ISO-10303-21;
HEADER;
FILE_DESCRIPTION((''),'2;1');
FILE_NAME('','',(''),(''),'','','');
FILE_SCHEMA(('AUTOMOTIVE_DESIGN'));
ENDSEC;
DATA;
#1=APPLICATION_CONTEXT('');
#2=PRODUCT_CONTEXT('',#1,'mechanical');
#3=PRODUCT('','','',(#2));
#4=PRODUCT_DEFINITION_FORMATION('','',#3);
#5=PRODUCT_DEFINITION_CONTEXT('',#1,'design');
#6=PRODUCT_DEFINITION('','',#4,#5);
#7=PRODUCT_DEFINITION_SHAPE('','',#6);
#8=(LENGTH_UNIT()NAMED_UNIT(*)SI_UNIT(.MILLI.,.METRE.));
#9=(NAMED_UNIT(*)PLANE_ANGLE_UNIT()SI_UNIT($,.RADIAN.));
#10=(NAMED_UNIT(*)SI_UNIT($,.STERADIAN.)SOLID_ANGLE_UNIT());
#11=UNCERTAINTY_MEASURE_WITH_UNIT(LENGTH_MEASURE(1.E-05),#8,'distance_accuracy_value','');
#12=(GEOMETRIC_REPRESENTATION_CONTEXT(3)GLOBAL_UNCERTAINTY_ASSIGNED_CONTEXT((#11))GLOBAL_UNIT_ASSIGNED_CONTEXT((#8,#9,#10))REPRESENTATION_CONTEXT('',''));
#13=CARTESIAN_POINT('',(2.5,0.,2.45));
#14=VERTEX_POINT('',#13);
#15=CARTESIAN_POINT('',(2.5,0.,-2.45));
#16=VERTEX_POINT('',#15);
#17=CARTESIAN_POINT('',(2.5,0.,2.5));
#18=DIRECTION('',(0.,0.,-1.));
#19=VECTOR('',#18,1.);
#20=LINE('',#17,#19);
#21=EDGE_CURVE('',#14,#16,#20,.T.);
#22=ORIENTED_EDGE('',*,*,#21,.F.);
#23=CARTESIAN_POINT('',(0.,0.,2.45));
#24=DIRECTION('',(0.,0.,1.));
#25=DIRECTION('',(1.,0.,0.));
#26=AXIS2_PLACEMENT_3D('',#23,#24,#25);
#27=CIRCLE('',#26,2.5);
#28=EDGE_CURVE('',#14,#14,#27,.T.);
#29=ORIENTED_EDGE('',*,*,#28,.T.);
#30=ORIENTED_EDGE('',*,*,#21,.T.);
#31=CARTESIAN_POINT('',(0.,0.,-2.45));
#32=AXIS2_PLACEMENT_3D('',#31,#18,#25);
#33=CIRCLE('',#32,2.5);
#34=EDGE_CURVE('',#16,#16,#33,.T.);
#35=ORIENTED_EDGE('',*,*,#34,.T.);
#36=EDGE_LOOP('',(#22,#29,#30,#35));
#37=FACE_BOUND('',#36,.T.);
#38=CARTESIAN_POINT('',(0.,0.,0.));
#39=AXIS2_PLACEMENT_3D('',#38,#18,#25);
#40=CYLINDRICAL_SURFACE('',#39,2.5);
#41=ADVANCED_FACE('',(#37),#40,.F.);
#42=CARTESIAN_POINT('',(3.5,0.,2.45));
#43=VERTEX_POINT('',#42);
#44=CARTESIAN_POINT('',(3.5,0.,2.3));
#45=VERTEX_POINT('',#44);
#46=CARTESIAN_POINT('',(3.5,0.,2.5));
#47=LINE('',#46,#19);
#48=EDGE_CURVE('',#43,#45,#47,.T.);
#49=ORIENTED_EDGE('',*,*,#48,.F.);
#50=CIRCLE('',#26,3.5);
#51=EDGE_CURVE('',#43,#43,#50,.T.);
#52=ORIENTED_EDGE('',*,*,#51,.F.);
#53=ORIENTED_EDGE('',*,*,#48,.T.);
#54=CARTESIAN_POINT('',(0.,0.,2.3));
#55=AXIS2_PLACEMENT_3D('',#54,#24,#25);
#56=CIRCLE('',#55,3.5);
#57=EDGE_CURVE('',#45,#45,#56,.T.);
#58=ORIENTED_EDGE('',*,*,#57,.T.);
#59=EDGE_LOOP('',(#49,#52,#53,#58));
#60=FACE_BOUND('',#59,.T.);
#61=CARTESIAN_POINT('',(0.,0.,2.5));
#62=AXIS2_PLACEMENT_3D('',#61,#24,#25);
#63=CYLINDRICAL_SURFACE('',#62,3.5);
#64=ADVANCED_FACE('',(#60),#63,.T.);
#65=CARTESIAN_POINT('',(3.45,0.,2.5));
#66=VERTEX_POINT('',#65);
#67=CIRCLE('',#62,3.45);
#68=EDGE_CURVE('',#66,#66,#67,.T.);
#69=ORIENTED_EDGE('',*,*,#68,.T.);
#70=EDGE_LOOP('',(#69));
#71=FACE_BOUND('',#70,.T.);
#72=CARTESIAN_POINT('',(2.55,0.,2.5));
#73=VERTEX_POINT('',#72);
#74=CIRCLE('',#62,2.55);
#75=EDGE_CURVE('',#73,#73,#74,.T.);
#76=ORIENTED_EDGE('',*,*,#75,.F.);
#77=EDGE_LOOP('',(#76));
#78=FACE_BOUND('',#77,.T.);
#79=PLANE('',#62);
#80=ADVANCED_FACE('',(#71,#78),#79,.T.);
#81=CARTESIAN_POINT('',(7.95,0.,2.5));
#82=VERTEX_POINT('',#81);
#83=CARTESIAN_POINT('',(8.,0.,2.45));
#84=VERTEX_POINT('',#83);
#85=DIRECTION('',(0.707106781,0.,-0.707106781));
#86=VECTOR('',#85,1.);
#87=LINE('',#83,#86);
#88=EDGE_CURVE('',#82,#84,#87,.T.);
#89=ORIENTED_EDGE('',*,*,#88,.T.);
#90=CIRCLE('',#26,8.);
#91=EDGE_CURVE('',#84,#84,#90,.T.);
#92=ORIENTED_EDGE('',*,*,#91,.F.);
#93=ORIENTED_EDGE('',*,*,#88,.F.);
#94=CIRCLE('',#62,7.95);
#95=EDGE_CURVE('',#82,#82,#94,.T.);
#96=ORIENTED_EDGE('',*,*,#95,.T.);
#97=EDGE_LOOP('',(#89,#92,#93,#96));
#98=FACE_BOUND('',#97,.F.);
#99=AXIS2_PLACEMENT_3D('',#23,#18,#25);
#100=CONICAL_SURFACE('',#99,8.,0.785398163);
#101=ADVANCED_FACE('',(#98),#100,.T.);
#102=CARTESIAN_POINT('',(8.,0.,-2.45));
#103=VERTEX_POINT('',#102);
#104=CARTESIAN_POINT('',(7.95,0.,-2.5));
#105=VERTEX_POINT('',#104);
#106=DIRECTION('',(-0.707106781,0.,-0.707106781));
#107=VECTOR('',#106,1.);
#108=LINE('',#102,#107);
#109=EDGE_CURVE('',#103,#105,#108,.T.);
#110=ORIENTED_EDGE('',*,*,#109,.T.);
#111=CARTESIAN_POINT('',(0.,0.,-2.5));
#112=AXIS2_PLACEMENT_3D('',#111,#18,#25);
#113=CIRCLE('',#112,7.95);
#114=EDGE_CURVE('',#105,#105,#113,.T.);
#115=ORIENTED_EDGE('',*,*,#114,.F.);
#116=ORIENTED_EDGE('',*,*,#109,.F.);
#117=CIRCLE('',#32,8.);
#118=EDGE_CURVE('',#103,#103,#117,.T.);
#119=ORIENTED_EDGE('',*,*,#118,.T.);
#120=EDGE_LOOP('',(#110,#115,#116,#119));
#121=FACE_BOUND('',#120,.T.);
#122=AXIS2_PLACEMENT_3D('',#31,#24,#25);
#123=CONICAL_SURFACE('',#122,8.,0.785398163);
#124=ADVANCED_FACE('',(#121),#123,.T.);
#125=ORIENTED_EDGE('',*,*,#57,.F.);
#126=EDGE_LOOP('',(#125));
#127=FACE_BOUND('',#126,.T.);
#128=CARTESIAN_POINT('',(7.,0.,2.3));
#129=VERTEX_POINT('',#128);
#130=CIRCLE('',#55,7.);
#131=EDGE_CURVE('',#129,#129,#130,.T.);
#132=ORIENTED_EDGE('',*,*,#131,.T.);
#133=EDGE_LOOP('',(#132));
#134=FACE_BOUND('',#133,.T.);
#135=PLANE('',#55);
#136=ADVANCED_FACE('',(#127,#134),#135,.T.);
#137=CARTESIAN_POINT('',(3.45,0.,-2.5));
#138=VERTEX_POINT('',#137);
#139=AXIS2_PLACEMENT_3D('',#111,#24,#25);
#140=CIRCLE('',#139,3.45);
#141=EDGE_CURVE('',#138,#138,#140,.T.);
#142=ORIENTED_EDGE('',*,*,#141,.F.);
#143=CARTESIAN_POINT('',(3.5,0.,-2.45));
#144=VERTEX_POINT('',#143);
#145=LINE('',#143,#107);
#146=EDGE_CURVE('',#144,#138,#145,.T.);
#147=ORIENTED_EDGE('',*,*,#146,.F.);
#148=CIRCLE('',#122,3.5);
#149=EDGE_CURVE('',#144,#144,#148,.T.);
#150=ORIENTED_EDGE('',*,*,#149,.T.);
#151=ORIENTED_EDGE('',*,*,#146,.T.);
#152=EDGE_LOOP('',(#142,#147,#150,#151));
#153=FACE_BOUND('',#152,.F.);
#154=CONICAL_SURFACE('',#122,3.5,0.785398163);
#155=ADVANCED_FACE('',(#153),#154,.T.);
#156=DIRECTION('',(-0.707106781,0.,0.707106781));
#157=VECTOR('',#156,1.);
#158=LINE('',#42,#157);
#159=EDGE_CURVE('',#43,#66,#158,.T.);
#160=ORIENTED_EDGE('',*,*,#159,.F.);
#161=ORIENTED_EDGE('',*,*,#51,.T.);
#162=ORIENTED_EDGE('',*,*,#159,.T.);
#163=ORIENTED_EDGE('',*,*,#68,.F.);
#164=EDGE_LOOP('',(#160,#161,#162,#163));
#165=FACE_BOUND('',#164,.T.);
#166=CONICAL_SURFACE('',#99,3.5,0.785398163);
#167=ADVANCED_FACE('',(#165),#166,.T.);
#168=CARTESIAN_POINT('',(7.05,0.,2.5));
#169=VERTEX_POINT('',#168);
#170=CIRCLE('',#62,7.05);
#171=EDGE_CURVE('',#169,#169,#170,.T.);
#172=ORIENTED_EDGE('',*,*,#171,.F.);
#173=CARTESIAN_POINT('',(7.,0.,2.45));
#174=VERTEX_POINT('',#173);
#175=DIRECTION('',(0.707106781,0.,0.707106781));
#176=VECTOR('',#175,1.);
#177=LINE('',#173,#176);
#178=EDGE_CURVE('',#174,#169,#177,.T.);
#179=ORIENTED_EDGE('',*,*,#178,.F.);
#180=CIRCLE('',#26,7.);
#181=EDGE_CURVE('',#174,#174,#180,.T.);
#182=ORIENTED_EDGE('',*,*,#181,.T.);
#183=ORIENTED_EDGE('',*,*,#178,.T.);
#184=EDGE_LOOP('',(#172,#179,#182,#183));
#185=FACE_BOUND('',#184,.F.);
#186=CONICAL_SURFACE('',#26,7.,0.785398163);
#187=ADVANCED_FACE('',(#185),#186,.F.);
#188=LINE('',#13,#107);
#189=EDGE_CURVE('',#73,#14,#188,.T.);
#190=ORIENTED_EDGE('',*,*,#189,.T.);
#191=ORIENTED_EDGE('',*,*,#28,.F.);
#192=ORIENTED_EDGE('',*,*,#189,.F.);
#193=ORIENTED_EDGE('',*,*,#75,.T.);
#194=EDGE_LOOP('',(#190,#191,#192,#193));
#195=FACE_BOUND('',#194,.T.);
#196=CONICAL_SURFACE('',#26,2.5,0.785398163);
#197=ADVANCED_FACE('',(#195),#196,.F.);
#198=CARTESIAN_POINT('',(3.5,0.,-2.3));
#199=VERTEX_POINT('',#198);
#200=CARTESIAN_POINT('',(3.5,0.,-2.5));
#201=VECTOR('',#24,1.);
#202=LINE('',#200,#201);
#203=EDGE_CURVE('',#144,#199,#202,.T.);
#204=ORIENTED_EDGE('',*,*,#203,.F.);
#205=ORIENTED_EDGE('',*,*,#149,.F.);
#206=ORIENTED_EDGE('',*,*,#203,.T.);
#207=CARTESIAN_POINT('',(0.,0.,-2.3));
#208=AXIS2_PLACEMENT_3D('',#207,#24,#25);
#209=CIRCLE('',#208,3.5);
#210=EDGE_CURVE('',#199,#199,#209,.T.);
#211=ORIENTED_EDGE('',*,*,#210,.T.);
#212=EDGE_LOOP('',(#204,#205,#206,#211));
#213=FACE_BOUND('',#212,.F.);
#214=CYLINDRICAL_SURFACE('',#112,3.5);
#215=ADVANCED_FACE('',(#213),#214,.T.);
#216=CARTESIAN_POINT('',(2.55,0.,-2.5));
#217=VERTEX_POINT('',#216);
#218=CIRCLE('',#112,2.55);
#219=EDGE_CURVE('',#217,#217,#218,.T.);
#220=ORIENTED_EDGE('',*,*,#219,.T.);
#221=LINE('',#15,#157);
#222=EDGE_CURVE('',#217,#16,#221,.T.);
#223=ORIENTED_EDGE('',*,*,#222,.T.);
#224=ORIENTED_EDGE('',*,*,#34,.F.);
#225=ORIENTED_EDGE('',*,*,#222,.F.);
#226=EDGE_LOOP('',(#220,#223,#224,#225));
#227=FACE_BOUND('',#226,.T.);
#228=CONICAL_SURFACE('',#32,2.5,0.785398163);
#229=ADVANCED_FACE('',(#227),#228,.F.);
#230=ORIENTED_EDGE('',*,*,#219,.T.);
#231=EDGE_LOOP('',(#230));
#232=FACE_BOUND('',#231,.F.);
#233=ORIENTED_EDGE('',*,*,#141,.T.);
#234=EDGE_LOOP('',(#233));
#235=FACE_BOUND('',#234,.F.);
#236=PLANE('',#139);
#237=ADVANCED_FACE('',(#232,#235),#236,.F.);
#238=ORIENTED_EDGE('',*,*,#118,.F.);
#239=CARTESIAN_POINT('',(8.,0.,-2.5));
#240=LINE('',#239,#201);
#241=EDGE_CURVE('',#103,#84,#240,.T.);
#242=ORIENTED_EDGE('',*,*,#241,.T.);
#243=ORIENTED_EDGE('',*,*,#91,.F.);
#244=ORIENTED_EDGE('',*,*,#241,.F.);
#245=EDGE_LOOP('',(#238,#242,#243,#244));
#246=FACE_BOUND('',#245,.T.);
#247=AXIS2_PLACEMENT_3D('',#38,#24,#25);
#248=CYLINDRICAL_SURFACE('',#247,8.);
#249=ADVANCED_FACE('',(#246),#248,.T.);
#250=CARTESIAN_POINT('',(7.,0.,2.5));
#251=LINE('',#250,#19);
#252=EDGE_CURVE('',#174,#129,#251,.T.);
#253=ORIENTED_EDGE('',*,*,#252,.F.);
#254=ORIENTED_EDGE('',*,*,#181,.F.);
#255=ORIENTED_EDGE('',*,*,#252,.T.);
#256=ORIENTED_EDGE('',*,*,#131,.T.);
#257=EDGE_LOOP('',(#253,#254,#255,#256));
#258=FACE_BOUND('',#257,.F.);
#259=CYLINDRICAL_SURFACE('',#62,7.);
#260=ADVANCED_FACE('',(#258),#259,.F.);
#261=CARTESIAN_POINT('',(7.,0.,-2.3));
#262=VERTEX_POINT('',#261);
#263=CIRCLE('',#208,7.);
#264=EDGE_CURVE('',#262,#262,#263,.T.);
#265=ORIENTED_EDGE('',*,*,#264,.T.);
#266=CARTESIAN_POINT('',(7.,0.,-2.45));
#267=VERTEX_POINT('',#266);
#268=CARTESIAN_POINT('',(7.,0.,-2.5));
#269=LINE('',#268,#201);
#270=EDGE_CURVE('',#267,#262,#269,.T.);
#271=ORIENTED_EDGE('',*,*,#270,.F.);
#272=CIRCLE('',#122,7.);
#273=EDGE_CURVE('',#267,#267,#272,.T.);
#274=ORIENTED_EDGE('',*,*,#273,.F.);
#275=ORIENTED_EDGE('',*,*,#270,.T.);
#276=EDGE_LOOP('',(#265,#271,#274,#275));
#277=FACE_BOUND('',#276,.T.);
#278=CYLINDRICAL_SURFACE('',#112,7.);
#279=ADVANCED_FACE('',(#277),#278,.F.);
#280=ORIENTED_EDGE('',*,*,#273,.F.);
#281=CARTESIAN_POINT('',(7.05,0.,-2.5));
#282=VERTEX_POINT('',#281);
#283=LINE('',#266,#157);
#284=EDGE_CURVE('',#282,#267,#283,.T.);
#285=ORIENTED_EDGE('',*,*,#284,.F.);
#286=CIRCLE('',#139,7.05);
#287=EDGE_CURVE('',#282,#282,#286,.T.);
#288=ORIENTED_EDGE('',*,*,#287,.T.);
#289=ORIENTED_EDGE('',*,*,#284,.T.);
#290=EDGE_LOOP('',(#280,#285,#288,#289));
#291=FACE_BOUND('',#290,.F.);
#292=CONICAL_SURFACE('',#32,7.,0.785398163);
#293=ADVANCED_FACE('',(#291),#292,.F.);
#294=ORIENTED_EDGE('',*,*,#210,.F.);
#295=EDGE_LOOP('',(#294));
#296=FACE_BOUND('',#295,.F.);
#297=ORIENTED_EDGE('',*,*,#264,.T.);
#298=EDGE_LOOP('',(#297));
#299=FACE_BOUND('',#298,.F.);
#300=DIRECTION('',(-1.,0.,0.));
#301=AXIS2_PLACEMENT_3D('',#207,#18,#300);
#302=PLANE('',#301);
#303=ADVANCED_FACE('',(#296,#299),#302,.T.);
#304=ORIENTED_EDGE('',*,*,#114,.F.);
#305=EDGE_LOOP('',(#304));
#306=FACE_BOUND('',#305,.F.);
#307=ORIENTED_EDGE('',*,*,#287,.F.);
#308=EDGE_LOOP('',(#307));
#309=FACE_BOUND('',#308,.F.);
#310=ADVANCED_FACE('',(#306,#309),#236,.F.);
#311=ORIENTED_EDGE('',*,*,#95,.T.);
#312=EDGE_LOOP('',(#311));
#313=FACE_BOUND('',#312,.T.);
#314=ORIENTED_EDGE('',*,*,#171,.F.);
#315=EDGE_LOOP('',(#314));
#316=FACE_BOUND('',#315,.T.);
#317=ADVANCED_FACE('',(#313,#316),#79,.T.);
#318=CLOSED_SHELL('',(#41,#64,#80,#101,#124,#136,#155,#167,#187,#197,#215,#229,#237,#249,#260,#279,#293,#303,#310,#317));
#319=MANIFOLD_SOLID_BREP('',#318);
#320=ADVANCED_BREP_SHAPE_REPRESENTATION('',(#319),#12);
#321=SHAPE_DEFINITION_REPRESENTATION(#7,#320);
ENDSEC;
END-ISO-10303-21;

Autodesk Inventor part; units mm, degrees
ref_plane "YZ Plane" through (0, 0, 0) normal (1, 0, 0) x (0, 1, 0)
ref_plane "XZ Plane" through (0, 0, 0) normal (0, 1, 0) x (-1, 0, 0)
ref_plane "XY Plane" through (0, 0, 0) normal (0, 0, 1) x (1, 0, 0)
sketch "Skizze1" plane through (0, 0, 0) normal (0, 0, 1) x (1, 0, 0)
  line L0 (-11.2, 0) -> (11.2, 0) projected
  line L1 (0, -11.2) -> (0, 11.2) projected
  circle A0 centre (0, 0) radius 8
  circle A1 centre (0, 0) radius 2.5
  dimension "d0" = 16
  dimension "d1" = 5
extrude "Extrusion1" add sketch "Skizze1" along normal mid plane 5 contours A1 L1 A0 L0 | L0 A0 L1 A1 | A1 L0 A0 L1 | L1 A0 L0 A1
sketch "Skizze2" plane through (0, 0, 2.5) normal (0, 0, 1) x (1, 0, 0)
  circle A0 centre (0, 0) radius 2.5 projected
  circle A1 centre (0, 0) radius 8 projected
  circle A2 centre (0, 0) radius 3.5
  circle A3 centre (0, 0) radius 7
  dimension "d4" = 7
  dimension "d5" = 14
extrude "Extrusion2" cut sketch "Skizze2" against normal blind 0.2 contours A3
mirror "Spiegeln1" about plane through (0, 0, 0) normal (0, 0, 1) of "Extrusion2"
chamfer "Fase1" distance 0.05 angle 45 1 edges at (-7, 0, 2.5)
chamfer "Fase2" distance 0.05 angle 45 1 edges at (-3.5, 0, 2.5)
chamfer "Fase3" distance 0.05 angle 45 1 edges at (-2.5, 0, 2.5)
chamfer "Fase4" distance 0.05 angle 45 1 edges at (-8, 0, 2.5)
chamfer "Fase5" distance 0.05 angle 45 1 edges at (-8, 0, -2.5)
chamfer "Fase6" distance 0.05 angle 45 1 edges at (-7, 0, -2.5)
chamfer "Fase7" distance 0.05 angle 45 1 edges at (-3.5, 0, -2.5)
chamfer "Fase8" distance 0.05 angle 45 1 edges at (-2.5, 0, -2.5)
properties part number "Kugellager625_5x16x5" material "Stahl, Kohlenstoff"
